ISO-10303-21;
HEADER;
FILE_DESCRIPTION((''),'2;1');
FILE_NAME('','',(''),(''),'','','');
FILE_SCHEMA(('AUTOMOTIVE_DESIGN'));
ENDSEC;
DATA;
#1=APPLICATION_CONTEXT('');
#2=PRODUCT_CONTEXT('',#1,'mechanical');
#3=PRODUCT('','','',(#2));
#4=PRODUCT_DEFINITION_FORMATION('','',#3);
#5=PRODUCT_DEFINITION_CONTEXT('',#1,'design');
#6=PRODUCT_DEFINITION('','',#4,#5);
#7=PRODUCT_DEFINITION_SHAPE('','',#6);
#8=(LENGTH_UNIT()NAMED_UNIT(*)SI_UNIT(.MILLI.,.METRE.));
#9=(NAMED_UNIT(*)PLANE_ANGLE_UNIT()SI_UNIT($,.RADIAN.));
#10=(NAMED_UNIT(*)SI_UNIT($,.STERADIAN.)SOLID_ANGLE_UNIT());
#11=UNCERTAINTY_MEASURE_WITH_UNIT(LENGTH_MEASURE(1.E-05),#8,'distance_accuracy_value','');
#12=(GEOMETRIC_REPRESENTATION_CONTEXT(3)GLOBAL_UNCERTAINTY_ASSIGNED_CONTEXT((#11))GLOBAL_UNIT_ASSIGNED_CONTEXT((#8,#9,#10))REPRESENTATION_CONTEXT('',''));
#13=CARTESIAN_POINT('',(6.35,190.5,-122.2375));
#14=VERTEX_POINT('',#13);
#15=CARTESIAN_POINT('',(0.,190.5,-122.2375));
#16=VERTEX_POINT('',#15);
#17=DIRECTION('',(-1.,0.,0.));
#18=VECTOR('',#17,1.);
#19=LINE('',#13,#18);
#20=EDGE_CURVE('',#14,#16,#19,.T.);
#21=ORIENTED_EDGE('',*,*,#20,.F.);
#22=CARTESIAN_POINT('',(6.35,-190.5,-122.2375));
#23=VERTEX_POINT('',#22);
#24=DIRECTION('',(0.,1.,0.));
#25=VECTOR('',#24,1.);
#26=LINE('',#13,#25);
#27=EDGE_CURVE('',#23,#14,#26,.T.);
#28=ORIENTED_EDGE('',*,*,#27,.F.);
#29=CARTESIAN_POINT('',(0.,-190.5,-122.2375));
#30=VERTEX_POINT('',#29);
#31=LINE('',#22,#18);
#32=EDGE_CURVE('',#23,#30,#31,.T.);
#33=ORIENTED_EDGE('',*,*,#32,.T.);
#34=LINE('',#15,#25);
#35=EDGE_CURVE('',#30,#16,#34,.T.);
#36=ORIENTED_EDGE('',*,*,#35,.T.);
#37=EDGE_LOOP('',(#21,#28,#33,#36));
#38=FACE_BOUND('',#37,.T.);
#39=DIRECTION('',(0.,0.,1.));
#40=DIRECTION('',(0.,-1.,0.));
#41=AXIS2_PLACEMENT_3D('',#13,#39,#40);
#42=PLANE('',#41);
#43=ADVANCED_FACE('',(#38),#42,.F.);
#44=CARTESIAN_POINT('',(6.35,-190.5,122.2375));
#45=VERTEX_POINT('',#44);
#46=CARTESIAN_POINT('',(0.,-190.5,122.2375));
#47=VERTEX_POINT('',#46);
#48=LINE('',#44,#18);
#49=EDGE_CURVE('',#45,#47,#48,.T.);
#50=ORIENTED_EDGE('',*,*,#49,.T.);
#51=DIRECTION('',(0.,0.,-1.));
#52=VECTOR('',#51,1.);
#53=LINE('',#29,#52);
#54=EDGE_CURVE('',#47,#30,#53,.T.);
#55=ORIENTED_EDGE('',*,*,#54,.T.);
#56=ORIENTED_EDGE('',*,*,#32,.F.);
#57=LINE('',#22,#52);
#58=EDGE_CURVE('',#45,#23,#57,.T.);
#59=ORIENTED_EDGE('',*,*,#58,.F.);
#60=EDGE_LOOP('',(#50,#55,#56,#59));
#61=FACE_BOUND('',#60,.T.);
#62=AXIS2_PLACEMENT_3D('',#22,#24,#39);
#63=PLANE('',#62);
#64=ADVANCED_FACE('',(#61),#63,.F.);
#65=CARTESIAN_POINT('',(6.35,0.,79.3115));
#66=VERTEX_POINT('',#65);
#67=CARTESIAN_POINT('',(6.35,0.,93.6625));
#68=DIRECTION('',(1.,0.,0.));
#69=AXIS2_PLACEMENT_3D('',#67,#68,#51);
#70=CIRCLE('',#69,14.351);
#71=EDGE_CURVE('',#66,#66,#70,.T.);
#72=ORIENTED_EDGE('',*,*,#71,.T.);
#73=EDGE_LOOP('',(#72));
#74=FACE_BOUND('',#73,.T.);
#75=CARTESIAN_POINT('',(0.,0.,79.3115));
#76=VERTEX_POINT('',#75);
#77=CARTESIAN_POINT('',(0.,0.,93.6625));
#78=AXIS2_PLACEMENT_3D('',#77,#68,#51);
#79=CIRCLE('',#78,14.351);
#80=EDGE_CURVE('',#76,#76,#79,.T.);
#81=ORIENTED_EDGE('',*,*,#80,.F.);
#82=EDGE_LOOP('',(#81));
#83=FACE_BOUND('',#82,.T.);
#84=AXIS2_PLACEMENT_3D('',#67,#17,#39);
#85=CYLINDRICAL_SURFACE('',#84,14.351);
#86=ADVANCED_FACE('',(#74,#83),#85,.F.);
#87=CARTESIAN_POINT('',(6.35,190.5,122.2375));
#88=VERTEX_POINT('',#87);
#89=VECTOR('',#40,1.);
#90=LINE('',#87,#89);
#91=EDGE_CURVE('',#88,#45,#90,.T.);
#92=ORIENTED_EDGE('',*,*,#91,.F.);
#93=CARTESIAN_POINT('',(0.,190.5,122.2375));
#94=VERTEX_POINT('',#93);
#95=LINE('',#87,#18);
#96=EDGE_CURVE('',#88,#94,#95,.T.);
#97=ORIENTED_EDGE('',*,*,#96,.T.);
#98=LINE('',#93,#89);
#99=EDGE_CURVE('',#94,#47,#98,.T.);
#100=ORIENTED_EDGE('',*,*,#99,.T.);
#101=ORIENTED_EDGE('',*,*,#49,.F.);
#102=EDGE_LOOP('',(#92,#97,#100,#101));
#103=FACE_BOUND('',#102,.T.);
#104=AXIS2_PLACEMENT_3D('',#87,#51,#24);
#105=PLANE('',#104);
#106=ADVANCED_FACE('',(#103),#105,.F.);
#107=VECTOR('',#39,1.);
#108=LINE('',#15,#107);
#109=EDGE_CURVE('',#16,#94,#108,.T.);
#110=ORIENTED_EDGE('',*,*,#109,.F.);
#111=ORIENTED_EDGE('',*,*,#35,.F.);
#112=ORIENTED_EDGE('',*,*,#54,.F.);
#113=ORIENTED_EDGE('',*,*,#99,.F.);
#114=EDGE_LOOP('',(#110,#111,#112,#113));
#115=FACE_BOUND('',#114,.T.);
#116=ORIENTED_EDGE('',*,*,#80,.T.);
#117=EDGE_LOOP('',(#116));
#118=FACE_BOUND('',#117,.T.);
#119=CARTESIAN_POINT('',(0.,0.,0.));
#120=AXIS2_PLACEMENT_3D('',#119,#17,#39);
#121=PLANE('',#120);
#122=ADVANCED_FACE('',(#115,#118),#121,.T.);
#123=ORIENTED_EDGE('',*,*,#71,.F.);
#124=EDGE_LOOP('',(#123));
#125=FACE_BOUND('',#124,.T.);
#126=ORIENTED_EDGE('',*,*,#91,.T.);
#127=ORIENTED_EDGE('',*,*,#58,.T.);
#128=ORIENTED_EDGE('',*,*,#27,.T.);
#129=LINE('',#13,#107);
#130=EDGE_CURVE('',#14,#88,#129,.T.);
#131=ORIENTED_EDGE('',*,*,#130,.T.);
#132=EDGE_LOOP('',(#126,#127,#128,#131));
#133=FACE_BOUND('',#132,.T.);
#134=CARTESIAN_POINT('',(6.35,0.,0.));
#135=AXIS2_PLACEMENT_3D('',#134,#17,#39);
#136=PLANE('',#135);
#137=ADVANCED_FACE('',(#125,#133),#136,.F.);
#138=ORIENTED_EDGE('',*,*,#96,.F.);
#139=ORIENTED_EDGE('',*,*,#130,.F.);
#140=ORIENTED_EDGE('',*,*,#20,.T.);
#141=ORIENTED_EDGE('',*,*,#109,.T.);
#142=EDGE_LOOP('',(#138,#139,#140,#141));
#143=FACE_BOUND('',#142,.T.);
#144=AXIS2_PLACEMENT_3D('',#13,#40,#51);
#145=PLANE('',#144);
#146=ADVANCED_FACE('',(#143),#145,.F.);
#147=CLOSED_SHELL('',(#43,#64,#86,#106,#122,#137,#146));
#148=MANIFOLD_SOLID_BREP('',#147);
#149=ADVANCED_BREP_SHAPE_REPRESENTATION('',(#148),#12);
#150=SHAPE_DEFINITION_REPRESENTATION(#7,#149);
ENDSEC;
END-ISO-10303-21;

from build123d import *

# Parameters (mm, degrees)
SKETCH1_W           = 244.475
SKETCH1_H           = 381
SKETCH1_R           = 14.351
BOSS_EXTRUDE1_DEPTH = 6.35


with BuildPart() as part:
    # Sketch1 → Boss-Extrude1 (new body)
    with BuildSketch(Plane(origin=(0, 0, 0), x_dir=(0, 0, -1), z_dir=(1, 0, 0))):
        Rectangle(SKETCH1_W, SKETCH1_H)
        with Locations((-93.6625, 0)):
            Circle(SKETCH1_R, mode=Mode.SUBTRACT)
    extrude(amount=BOSS_EXTRUDE1_DEPTH)


solid = part.part
